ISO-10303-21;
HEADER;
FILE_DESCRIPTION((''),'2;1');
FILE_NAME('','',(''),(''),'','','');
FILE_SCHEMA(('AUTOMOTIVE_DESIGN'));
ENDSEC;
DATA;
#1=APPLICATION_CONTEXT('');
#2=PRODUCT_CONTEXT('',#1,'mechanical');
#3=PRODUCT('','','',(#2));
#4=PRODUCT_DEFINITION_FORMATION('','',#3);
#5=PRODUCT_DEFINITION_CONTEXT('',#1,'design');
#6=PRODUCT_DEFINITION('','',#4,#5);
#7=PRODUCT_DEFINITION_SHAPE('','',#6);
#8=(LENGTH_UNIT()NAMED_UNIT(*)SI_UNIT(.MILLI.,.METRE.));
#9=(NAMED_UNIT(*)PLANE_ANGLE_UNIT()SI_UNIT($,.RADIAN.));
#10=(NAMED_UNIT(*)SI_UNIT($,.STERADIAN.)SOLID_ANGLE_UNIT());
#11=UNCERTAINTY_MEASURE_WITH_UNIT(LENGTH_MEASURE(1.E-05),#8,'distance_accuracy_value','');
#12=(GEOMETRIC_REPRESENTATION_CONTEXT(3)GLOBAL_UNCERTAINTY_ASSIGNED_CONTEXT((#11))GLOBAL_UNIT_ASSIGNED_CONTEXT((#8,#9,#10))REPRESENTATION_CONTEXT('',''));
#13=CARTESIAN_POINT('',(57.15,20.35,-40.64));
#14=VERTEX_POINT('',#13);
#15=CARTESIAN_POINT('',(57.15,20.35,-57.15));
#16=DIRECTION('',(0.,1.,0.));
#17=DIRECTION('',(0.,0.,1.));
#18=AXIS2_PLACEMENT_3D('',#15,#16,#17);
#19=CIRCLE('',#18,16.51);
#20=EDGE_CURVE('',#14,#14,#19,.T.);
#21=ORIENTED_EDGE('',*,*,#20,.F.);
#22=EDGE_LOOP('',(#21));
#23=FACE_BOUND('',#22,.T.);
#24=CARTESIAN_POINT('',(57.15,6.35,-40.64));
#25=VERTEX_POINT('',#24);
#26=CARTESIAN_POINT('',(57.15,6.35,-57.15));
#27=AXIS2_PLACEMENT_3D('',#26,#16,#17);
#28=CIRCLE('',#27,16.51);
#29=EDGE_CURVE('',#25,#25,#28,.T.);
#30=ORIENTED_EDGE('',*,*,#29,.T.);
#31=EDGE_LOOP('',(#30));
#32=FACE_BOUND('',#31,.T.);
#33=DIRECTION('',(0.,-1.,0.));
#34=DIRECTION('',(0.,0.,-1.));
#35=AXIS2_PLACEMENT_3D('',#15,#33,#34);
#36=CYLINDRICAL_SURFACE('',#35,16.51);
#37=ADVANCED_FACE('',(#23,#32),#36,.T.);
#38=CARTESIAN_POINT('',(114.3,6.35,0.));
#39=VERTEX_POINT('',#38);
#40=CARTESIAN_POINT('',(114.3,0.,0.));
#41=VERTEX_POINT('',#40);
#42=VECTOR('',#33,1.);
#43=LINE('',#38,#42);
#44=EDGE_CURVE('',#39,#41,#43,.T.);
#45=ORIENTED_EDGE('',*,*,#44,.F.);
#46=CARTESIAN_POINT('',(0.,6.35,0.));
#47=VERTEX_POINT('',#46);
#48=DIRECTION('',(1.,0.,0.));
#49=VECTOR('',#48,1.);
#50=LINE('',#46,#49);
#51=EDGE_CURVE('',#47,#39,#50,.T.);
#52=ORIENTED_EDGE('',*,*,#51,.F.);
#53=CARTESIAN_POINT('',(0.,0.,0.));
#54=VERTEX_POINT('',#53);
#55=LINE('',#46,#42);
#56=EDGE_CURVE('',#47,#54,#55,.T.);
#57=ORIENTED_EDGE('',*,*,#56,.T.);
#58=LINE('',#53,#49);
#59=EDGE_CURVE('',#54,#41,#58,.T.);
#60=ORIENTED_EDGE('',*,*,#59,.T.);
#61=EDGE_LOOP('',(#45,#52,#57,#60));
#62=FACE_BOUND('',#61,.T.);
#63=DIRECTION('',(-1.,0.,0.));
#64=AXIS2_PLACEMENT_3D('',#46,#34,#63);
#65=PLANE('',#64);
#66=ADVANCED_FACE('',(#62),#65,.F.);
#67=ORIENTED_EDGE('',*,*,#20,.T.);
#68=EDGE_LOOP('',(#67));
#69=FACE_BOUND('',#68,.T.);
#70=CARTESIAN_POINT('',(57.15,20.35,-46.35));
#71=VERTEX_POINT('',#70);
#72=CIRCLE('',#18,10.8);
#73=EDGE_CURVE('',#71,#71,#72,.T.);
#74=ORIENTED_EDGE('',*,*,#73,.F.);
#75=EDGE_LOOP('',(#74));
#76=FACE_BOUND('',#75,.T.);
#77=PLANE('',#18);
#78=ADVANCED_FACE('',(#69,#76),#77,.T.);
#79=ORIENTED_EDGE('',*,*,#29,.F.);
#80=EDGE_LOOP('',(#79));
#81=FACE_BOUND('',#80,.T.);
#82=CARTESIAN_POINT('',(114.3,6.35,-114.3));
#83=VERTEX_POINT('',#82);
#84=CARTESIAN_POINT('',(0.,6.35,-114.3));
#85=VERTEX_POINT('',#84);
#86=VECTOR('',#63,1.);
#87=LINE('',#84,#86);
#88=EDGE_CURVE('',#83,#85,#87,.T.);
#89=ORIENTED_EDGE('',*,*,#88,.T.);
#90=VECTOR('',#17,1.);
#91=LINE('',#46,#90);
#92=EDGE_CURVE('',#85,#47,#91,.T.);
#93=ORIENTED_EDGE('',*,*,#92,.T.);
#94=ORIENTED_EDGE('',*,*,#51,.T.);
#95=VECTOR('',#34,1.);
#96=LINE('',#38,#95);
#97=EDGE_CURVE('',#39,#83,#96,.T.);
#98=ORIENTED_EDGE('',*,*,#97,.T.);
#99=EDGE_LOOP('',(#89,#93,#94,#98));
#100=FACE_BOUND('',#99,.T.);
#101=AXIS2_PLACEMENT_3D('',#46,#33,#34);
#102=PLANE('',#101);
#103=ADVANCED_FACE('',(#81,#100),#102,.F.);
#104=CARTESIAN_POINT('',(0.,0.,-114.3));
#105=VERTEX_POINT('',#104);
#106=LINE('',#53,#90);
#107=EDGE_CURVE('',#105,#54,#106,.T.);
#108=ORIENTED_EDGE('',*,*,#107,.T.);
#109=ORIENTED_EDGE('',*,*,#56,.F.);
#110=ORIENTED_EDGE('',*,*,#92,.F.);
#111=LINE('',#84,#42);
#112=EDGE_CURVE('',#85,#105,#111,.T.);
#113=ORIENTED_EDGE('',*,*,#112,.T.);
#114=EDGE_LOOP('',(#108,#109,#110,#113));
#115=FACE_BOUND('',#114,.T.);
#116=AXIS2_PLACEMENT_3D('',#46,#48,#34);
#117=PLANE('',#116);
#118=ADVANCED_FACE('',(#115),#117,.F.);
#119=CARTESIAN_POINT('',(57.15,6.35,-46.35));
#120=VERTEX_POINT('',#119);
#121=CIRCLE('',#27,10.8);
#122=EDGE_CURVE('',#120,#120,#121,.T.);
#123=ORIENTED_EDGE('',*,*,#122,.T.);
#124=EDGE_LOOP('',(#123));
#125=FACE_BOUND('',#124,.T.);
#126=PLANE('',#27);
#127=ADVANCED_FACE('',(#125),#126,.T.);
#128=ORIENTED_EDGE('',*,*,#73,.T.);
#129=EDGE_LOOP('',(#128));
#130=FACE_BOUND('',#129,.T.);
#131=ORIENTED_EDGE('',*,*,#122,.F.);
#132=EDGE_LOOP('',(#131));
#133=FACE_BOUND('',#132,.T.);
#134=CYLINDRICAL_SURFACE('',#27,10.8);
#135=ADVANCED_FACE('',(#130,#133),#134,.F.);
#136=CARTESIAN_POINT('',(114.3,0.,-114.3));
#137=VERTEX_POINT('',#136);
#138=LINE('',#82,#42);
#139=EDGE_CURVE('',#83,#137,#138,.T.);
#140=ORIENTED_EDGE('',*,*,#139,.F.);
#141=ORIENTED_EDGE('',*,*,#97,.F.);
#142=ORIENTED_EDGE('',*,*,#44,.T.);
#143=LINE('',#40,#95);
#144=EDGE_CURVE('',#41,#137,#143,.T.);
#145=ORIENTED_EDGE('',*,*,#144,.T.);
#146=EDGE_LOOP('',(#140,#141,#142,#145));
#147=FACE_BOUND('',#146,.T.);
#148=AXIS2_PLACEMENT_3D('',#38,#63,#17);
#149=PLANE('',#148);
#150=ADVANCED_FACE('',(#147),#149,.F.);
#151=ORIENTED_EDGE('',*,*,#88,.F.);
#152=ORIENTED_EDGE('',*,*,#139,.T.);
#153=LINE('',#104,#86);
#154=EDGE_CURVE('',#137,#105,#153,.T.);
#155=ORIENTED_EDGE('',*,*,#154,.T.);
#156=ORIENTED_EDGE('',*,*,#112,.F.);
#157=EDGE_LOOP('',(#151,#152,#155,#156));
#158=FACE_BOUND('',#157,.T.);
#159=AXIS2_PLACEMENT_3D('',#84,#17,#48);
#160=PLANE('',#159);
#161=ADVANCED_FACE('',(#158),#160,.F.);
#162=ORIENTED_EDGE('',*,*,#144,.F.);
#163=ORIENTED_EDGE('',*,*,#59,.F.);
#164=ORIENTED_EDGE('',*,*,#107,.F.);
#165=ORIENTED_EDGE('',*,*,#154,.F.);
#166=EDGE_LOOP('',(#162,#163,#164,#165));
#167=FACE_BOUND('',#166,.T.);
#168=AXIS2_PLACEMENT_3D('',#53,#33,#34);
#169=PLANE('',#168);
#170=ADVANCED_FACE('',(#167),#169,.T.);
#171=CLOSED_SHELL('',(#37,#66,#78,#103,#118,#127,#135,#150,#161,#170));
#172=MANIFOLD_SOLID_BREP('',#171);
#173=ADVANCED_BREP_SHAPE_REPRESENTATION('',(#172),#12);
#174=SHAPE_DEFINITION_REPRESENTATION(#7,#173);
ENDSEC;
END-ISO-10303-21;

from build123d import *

# Parameters (mm, degrees)
SKETCH1_W           = 114.3
SKETCH1_H           = 114.3
BOSS_EXTRUDE1_DEPTH = 6.35
SKETCH2_R           = 16.51
BOSS_EXTRUDE2_DEPTH = 14
SKETCH3_R           = 10.8
CUT_EXTRUDE1_DEPTH  = 14


with BuildPart() as part:
    # Sketch1 → Boss-Extrude1 (new body)
    with BuildSketch(Plane(origin=(0, 0, 0), x_dir=(1, 0, 0), z_dir=(0, 1, 0))):
        with Locations((57.15, 57.15)):
            Rectangle(SKETCH1_W, SKETCH1_H)
    extrude(amount=BOSS_EXTRUDE1_DEPTH)

    # Sketch2 → Boss-Extrude2 (add)
    with BuildSketch(Plane(origin=(0, 6.35, 0), x_dir=(1, 0, 0), z_dir=(0, 1, 0))):
        with Locations(Location((57.15, 57.15, 0), (0, 0, 270))):
            Circle(SKETCH2_R)
    extrude(amount=BOSS_EXTRUDE2_DEPTH)

    # Sketch3 → Cut-Extrude1 (cut)
    with BuildSketch(Plane(origin=(0, 20.35, 0), x_dir=(1, 0, 0), z_dir=(0, 1, 0))):
        with Locations(Location((57.15, 57.15, 0), (0, 0, 270))):
            Circle(SKETCH3_R)
    extrude(amount=-CUT_EXTRUDE1_DEPTH, mode=Mode.SUBTRACT)


solid = part.part
